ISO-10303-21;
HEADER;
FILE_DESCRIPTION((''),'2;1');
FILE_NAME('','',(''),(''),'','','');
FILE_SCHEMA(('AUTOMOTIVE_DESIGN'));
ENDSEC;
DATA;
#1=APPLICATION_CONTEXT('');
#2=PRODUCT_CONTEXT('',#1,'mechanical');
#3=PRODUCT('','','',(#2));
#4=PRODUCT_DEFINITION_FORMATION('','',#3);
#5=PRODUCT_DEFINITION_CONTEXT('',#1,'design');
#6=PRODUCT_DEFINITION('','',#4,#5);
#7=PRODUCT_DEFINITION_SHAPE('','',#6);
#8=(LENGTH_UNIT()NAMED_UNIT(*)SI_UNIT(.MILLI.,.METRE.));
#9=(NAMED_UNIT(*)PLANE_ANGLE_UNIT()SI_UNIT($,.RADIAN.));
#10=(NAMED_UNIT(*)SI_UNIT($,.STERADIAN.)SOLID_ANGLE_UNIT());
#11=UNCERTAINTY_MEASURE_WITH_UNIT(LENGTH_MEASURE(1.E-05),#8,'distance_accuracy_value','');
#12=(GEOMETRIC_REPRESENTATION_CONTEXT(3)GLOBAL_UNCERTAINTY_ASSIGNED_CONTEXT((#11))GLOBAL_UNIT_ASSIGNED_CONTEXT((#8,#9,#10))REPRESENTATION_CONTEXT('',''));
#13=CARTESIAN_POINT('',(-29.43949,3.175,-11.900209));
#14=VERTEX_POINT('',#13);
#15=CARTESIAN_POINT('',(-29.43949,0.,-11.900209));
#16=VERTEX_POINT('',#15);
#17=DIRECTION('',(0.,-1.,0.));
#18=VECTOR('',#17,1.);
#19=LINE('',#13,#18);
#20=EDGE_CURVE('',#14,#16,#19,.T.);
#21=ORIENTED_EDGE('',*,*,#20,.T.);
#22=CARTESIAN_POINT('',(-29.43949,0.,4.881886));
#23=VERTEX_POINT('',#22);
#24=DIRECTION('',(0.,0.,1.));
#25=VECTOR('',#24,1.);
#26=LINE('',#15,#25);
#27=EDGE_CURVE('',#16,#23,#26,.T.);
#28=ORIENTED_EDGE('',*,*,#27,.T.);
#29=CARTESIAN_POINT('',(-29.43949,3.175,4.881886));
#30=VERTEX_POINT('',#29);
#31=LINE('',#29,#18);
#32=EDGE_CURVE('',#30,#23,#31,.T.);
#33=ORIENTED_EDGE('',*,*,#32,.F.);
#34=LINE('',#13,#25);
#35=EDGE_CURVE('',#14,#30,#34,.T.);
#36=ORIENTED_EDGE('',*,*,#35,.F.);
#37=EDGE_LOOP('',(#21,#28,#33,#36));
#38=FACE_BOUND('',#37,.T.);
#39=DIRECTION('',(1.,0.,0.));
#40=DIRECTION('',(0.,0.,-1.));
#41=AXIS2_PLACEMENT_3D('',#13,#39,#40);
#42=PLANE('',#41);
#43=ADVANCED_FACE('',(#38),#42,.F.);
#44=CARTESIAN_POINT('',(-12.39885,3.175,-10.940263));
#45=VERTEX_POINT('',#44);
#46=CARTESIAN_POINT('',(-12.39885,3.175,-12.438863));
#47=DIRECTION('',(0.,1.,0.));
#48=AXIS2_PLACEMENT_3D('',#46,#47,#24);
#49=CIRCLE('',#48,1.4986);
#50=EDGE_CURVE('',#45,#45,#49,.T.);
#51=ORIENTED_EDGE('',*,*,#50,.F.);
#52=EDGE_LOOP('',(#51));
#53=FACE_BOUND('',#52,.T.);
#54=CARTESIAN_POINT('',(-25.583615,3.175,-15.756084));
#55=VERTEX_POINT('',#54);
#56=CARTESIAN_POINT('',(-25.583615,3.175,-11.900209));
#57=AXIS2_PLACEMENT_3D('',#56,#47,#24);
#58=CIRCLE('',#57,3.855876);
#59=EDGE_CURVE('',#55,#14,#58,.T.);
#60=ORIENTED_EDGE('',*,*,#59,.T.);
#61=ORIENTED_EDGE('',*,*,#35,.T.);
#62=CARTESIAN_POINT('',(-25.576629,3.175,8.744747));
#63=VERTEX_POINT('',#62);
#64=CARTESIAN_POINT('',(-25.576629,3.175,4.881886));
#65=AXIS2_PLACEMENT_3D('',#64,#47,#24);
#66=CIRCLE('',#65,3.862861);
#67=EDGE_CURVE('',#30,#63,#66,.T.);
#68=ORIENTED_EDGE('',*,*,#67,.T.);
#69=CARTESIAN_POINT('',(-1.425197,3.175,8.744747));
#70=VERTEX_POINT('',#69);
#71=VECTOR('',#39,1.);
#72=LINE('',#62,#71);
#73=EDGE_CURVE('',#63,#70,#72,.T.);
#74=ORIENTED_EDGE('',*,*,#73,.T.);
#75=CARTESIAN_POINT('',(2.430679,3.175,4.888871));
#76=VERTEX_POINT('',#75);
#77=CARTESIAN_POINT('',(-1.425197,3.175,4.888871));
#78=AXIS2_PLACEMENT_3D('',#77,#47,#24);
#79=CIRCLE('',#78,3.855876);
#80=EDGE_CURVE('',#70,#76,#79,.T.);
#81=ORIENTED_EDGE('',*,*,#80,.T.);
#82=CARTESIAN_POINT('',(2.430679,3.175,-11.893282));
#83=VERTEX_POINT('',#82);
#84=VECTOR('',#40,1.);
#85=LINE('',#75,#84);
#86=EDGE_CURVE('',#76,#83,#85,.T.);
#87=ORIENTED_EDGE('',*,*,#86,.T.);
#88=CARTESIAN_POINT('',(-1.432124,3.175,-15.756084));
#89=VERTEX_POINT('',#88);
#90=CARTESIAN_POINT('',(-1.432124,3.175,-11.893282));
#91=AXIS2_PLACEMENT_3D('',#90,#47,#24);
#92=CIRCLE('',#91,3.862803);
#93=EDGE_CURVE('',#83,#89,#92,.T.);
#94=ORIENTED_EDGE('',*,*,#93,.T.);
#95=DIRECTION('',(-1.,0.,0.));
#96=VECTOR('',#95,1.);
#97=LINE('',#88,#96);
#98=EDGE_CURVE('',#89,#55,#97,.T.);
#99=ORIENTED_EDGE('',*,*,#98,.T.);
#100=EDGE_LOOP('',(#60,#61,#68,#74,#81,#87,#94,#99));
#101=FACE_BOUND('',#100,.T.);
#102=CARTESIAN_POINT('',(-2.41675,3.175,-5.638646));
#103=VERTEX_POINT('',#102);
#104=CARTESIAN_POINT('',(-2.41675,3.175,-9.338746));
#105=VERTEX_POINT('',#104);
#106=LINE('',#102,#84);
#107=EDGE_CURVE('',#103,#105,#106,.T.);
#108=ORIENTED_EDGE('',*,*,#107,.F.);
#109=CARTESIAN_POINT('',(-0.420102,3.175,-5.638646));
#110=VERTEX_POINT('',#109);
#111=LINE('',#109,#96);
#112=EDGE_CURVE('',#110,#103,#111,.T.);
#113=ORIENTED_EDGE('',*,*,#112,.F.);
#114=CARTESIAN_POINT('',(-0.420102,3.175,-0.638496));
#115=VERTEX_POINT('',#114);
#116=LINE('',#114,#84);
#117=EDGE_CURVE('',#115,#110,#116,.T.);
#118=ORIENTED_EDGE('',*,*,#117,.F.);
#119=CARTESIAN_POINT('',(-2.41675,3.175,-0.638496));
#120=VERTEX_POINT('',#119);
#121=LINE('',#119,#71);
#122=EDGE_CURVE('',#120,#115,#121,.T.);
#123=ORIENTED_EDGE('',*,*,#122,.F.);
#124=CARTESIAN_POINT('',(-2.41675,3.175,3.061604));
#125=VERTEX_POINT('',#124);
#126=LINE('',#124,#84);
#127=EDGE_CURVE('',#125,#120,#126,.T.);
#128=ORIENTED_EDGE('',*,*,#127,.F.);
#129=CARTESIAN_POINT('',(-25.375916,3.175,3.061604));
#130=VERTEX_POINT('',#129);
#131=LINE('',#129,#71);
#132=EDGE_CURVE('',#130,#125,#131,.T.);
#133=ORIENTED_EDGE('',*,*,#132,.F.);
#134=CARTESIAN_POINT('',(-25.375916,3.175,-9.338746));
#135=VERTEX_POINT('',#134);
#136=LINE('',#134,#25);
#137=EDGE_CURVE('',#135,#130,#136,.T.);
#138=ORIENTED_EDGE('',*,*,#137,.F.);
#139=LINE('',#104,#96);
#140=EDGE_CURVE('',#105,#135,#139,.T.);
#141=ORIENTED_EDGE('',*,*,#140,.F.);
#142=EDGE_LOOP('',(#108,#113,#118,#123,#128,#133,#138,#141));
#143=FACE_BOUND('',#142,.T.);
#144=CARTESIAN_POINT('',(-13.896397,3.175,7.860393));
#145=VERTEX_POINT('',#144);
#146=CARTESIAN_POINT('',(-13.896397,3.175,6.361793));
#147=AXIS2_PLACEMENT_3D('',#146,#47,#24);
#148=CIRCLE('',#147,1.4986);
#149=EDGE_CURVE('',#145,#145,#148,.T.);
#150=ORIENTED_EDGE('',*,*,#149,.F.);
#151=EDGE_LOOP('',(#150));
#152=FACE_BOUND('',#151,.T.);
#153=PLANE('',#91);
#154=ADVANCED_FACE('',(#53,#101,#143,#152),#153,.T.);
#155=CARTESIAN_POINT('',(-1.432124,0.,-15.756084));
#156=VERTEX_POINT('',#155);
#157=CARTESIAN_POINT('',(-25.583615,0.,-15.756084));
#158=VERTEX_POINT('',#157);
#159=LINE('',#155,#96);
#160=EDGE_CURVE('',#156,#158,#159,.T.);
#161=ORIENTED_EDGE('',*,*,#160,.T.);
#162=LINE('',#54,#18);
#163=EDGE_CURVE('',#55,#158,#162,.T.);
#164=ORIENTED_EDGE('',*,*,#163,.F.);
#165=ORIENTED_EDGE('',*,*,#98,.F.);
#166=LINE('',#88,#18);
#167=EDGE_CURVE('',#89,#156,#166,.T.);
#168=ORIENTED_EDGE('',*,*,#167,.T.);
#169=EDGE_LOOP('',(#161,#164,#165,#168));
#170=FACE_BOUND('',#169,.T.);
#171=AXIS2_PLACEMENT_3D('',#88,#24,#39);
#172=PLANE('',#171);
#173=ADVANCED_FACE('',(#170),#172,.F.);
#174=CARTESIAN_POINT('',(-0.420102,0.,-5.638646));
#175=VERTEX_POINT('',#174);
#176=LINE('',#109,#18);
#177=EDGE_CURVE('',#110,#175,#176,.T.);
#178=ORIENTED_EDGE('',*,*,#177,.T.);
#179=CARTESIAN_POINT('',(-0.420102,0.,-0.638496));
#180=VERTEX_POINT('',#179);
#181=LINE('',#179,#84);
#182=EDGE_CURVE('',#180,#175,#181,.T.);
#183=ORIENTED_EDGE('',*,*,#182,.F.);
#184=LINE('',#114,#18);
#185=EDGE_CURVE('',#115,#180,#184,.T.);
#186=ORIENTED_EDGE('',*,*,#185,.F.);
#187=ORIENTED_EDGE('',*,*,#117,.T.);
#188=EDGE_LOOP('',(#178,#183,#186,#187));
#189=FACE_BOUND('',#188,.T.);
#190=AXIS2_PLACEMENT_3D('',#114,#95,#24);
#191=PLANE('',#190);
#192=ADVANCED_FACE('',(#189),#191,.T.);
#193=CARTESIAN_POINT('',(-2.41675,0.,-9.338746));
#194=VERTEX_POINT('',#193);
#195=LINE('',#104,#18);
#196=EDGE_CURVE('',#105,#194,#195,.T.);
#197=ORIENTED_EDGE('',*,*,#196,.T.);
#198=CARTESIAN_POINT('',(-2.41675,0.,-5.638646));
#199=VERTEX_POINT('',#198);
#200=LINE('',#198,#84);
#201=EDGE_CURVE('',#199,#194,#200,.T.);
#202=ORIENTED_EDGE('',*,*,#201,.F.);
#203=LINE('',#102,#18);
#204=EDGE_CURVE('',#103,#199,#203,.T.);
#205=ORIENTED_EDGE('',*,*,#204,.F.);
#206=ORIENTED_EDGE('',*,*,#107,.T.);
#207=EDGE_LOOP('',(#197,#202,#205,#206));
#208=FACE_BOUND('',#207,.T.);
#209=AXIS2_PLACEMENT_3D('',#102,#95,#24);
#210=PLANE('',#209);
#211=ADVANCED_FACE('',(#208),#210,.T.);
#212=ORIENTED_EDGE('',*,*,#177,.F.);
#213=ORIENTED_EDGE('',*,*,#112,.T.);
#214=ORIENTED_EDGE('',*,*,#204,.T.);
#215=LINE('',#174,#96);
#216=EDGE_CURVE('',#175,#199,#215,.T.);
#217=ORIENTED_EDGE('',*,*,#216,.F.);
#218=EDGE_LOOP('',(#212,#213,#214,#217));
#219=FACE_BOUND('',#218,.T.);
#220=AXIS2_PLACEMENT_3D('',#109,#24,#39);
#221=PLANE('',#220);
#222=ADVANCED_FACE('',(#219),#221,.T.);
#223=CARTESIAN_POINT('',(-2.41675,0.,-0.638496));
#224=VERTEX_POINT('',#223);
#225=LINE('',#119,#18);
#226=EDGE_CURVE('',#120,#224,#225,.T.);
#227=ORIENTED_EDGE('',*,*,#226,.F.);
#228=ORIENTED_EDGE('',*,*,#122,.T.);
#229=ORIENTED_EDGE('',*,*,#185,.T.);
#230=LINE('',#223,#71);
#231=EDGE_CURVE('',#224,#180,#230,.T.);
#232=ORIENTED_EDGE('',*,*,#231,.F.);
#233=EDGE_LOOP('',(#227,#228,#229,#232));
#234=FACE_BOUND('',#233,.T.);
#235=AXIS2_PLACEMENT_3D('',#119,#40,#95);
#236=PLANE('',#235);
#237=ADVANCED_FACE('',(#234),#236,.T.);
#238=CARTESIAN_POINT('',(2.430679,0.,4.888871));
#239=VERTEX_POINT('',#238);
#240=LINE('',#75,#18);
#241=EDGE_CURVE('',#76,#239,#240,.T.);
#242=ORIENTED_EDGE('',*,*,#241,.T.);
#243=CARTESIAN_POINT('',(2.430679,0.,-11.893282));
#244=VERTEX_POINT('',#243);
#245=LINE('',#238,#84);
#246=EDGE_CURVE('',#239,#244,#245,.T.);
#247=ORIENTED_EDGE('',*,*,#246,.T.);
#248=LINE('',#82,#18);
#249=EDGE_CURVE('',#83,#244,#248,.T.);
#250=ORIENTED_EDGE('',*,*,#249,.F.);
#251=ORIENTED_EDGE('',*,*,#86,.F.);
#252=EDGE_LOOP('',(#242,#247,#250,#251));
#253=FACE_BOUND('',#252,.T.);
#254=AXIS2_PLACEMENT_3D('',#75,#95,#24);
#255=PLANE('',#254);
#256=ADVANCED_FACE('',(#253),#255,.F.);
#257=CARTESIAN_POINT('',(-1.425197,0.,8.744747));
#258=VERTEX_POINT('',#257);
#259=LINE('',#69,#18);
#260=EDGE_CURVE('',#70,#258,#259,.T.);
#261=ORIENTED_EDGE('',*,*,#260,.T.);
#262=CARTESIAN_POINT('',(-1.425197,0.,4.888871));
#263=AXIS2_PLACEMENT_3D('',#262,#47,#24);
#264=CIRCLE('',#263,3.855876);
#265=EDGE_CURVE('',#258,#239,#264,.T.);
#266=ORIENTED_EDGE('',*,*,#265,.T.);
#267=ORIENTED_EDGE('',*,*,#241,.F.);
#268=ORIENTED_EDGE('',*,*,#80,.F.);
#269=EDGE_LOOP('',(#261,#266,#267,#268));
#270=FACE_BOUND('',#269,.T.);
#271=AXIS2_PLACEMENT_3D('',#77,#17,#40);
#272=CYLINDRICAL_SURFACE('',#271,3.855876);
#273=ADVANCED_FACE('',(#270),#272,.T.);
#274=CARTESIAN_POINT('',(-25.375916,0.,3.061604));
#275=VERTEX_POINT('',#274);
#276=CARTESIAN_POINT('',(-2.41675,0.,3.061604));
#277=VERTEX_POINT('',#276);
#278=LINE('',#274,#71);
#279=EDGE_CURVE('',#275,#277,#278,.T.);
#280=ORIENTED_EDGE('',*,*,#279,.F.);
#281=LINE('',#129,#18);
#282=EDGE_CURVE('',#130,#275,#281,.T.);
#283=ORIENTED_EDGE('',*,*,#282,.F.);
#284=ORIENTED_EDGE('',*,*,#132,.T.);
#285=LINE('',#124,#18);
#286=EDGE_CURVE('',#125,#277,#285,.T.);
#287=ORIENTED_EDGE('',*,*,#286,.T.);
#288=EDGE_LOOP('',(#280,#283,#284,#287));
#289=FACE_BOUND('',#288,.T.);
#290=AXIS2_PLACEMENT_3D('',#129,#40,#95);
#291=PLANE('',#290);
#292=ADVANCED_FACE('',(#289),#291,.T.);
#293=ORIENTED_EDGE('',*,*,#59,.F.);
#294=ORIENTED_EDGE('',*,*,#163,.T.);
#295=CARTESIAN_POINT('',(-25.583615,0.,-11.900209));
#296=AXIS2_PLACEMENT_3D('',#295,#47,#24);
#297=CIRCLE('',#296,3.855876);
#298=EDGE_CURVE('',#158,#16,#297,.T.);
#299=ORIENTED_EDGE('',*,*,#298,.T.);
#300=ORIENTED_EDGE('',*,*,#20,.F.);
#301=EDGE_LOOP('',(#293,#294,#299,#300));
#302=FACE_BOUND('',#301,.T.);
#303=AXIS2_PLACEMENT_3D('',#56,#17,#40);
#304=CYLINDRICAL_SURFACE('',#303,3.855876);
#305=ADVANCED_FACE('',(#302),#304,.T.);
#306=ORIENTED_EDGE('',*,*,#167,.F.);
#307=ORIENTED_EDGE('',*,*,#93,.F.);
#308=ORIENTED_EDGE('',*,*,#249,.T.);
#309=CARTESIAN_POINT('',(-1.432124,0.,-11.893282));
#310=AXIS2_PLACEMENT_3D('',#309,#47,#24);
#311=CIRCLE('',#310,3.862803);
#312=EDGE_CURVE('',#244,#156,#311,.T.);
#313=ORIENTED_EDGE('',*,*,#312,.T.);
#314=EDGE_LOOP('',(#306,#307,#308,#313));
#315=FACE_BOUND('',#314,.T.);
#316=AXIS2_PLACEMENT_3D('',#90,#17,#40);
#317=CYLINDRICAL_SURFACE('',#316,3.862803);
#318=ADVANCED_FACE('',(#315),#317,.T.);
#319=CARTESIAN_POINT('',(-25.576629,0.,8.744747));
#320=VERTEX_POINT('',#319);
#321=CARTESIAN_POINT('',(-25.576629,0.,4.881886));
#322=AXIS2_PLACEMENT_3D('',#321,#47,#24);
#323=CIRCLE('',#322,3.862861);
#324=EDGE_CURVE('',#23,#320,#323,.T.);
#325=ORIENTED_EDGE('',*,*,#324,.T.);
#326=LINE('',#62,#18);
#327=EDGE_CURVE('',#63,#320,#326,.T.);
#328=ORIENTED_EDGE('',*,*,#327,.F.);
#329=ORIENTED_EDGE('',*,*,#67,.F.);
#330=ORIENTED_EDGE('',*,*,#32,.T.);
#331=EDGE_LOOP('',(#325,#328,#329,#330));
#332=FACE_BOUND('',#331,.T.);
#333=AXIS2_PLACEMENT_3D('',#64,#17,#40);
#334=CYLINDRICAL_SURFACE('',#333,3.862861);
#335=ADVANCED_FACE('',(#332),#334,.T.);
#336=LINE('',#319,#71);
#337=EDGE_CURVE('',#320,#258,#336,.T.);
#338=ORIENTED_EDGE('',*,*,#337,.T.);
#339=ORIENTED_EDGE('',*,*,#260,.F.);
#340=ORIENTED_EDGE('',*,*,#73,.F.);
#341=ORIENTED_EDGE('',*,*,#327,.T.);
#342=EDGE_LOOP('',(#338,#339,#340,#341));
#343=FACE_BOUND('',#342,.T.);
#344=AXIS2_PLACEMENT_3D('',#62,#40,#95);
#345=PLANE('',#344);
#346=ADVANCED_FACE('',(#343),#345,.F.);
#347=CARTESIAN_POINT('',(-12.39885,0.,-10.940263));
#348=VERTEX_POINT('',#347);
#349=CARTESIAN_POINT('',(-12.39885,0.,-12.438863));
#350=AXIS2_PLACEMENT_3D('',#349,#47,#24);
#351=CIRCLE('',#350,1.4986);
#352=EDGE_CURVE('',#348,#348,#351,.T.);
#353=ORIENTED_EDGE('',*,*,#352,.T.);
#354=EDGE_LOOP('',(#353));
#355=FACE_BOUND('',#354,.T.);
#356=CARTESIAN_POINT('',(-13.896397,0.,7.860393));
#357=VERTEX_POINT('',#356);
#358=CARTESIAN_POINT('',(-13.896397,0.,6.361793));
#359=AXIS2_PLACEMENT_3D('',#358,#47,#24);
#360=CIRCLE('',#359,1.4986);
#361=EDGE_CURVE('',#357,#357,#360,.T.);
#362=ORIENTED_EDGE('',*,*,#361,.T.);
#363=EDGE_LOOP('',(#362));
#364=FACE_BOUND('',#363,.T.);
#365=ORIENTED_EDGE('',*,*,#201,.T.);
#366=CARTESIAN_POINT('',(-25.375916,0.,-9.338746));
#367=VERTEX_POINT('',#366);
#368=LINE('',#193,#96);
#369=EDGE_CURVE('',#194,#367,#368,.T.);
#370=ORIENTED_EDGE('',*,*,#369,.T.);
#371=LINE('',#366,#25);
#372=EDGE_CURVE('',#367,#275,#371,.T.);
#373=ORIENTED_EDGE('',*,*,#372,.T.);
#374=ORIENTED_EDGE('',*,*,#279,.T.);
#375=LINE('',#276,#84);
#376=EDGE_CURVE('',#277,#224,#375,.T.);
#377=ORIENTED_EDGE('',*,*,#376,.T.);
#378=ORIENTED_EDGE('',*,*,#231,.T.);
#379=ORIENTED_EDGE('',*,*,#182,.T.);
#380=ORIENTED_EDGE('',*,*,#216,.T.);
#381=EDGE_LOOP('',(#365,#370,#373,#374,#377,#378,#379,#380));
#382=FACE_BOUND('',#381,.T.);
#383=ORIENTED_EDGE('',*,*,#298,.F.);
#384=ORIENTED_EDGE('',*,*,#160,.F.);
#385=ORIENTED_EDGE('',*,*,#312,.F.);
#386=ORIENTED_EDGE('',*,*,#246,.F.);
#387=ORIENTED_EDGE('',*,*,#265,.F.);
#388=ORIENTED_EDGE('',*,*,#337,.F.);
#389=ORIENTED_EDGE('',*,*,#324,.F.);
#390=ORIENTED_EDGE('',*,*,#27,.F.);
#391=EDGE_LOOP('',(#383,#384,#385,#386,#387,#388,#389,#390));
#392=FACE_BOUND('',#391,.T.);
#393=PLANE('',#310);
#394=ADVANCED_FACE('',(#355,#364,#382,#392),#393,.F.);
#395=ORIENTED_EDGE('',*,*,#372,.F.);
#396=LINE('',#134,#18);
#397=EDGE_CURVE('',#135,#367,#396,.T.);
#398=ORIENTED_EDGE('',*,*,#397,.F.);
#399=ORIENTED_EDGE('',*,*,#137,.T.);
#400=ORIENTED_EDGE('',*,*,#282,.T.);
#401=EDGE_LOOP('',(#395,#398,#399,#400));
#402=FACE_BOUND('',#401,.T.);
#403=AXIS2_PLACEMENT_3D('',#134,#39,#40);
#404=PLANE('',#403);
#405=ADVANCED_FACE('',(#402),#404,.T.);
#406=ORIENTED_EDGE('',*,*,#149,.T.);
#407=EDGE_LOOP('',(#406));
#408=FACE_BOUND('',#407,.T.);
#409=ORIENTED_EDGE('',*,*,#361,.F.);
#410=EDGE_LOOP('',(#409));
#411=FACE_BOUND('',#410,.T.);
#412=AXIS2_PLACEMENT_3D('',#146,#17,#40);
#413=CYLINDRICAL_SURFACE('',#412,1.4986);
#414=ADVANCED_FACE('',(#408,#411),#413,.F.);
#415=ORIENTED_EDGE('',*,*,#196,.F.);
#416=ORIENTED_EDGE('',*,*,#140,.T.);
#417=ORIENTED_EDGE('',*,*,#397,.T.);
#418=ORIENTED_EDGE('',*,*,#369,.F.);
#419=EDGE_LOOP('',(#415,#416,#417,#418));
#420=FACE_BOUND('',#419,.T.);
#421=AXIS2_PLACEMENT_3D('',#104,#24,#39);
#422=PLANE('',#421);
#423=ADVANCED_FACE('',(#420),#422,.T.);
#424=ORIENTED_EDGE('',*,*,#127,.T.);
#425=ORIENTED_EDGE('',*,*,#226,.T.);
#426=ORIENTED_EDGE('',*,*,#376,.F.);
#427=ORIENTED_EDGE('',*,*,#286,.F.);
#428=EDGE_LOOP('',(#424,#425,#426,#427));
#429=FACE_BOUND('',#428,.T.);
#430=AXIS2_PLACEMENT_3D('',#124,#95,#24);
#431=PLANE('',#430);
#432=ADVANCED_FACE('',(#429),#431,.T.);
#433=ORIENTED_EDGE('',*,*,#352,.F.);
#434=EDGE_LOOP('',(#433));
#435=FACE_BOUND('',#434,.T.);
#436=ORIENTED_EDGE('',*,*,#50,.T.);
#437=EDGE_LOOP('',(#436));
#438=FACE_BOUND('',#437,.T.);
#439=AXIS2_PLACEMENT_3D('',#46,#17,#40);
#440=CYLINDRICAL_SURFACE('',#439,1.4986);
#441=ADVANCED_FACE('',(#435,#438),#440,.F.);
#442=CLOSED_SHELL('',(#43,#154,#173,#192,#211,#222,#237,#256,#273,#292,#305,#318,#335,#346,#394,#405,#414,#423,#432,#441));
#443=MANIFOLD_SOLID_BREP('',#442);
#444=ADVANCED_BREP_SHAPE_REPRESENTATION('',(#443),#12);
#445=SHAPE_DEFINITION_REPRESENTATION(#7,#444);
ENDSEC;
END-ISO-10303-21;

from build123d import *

# Parameters (mm, degrees)
SKETCH1_R           = 1.4986
BOSS_EXTRUDE1_DEPTH = 3.175


with BuildPart() as part:
    # Sketch1 → Boss-Extrude1 (new body)
    with BuildSketch(Plane(origin=(0, 0, 0), x_dir=(1, 0, 0), z_dir=(0, 1, 0))):
        with BuildLine():
            Line((-1.432123738, 15.756084407), (-25.583614521, 15.756084407))
            ThreePointArc((-25.583614521, 15.756084407), (-28.310130326, 14.626724582), (-29.439490151, 11.900208777))
            Line((-29.439490151, 11.900208777), (-29.439490151, -4.881885841))
            ThreePointArc((-29.439490151, -4.881885841), (-28.308084251, -7.613341307), (-25.576628785, -8.744747206))
            Line((-25.576628785, -8.744747206), (-1.425196823, -8.744747206))
            ThreePointArc((-1.425196823, -8.744747206), (1.301319065, -7.615387348), (2.430678924, -4.88887146))
            Line((2.430678924, -4.88887146), (2.430678924, 11.893281745))
            ThreePointArc((2.430678924, 11.893281745), (1.299290219, 14.624695701), (-1.432123738, 15.756084407))
        make_face()
        with Locations(Location((-12.398849753, 12.438862806, 0), (0, 0, 270))):
            Circle(SKETCH1_R, mode=Mode.SUBTRACT)
        with Locations(Location((-13.896396676, -6.361792876, 0), (0, 0, 270))):
            Circle(SKETCH1_R, mode=Mode.SUBTRACT)
        Polygon((-2.416750389, 9.338746066), (-25.375916231, 9.338746066), (-25.375916231, -3.061603704), (-2.416750389, -3.061603704), (-2.416750389, 0.638495937), (-0.420102398, 0.638495937), (-0.420102398, 5.638646425), (-2.416750389, 5.638646425), align=None, mode=Mode.SUBTRACT)
    extrude(amount=BOSS_EXTRUDE1_DEPTH)


solid = part.part
